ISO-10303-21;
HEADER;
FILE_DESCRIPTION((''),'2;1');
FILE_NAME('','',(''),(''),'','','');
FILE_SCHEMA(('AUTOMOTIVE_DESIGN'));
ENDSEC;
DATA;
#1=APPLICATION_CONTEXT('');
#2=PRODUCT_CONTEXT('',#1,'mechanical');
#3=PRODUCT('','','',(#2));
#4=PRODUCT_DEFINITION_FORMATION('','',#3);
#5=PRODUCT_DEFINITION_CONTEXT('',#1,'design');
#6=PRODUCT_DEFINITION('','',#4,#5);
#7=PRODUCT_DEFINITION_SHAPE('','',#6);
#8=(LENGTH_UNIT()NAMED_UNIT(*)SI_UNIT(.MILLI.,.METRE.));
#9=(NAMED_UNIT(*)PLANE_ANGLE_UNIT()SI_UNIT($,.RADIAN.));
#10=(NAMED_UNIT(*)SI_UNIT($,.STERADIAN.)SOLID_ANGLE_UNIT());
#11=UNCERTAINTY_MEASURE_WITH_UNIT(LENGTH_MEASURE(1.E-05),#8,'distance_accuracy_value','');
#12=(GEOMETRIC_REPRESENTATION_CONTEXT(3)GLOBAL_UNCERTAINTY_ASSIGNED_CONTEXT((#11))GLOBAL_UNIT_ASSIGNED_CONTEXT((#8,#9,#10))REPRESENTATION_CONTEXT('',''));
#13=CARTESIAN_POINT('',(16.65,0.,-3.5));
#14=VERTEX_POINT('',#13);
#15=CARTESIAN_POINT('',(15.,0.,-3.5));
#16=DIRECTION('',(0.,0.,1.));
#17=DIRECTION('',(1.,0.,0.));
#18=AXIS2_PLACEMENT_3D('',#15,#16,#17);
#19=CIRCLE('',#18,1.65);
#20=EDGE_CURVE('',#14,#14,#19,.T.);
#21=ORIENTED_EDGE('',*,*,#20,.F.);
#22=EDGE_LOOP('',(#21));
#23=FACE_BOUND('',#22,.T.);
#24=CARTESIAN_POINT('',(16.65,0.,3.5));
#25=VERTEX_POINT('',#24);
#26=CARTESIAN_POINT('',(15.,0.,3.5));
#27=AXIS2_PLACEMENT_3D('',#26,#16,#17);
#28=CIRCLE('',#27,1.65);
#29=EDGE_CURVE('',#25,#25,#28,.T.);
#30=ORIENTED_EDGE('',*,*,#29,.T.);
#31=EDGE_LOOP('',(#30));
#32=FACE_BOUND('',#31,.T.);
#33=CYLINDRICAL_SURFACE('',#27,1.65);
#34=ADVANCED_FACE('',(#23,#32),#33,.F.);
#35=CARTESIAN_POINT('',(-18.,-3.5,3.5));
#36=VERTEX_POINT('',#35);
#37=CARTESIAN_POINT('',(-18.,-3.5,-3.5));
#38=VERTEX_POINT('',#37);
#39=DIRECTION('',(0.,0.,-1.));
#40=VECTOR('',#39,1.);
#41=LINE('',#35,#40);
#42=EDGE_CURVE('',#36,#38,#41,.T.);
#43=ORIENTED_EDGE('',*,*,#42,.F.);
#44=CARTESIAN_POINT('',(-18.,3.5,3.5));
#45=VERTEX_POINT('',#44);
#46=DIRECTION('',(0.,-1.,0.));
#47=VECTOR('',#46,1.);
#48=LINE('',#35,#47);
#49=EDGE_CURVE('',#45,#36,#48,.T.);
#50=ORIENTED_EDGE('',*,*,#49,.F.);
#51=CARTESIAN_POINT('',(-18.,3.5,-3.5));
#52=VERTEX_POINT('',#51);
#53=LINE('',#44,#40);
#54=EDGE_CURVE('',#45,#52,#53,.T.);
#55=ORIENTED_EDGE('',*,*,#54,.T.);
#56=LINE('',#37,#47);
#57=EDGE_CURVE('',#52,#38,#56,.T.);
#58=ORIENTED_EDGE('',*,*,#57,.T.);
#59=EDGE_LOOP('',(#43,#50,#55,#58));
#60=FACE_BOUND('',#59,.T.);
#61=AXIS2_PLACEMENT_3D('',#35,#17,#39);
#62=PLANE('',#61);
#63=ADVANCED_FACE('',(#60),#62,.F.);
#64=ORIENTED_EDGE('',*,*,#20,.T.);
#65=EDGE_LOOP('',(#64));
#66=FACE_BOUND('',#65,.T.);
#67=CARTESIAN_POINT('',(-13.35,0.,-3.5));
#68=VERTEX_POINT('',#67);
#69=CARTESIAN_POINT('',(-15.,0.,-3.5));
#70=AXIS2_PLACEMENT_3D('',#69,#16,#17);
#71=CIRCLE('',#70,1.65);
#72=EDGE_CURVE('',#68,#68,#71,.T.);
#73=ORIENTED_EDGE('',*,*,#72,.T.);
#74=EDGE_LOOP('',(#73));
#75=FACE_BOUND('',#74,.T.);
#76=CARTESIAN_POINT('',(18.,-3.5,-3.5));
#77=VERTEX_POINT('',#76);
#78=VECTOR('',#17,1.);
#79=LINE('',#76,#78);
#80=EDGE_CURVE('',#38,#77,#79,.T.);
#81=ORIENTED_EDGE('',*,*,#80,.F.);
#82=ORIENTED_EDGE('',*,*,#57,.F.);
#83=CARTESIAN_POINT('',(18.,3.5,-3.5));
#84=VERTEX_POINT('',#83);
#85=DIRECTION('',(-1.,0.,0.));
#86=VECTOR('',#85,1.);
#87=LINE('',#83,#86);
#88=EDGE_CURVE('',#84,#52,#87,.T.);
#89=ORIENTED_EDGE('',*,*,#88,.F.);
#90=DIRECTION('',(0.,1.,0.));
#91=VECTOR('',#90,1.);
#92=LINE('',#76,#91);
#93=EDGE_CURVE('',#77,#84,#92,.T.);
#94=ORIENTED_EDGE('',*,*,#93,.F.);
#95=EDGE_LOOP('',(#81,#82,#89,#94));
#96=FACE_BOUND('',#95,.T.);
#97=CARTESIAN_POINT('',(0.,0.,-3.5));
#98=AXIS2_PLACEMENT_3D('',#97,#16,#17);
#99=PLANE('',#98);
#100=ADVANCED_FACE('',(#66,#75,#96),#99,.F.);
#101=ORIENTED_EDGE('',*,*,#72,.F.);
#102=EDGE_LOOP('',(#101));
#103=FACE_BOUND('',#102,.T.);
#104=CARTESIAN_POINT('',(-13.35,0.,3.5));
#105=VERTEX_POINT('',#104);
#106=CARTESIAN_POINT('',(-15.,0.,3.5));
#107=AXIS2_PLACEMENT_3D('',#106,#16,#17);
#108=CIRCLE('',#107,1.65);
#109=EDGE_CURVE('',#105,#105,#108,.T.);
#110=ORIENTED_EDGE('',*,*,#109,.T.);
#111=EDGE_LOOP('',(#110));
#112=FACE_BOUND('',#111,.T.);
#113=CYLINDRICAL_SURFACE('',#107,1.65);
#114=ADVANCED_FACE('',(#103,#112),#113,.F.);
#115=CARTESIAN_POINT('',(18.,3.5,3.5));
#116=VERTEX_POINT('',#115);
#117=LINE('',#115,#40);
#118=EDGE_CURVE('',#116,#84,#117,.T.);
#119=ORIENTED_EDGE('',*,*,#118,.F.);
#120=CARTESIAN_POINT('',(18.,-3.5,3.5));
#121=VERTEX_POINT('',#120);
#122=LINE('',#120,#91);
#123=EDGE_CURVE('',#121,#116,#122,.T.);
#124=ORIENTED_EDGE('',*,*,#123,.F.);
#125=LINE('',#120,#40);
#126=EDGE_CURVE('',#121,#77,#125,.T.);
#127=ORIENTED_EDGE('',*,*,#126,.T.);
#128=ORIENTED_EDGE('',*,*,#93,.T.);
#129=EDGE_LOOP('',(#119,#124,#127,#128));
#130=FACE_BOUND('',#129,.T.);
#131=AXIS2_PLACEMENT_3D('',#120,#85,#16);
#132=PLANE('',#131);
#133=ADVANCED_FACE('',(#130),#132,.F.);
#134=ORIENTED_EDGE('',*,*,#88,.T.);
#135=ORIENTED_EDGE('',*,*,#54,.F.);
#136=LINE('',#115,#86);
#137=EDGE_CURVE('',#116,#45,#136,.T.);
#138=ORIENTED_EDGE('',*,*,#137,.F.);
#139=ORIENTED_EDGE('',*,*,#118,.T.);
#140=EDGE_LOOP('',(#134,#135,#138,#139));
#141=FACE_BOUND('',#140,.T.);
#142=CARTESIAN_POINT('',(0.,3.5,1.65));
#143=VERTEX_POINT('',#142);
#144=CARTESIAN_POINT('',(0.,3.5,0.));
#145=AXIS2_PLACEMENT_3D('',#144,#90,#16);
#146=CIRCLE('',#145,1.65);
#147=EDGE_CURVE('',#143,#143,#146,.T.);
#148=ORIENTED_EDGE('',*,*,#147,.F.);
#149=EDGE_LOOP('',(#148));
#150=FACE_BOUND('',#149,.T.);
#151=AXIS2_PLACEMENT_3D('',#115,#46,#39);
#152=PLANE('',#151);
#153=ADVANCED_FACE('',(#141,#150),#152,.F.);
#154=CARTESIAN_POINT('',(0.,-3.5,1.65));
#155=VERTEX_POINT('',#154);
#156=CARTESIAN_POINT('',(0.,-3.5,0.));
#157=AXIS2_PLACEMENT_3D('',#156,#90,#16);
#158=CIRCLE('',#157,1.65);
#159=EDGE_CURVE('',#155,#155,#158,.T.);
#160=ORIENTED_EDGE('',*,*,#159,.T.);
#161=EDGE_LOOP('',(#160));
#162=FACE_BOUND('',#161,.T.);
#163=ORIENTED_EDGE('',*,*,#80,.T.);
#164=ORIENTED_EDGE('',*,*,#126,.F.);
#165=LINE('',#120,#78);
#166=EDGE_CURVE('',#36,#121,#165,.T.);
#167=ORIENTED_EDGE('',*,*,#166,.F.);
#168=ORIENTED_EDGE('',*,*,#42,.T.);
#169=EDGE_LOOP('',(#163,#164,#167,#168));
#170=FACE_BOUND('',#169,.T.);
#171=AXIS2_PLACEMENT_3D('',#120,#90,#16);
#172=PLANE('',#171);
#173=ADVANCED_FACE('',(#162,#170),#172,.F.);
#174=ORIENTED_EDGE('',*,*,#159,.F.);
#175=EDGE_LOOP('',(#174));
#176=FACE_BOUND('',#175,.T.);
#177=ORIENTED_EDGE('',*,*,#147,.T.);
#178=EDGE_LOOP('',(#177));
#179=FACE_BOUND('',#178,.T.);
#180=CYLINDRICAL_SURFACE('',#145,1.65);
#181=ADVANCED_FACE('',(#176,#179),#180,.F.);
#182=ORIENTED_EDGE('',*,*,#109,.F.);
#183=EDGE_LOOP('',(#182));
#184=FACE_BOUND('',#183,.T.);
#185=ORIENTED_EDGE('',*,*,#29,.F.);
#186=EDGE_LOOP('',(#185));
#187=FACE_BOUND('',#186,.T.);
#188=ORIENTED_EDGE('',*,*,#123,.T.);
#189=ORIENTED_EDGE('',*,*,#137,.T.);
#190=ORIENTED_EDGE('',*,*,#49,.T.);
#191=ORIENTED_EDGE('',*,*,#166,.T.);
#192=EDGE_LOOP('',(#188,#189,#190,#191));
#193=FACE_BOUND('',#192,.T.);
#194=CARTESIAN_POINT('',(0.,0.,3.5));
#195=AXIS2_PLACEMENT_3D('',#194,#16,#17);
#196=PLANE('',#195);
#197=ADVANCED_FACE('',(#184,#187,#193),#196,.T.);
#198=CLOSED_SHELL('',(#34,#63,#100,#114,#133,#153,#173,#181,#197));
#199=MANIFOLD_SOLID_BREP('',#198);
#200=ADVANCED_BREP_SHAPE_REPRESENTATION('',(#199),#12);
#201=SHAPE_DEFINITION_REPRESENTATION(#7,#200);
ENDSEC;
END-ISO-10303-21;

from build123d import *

# Parameters (mm, degrees)
SKETCH_1_W             = 36
SKETCH_1_H             = 7
SKETCH_1_R             = 0.5
EXTRUDE_1_DEPTH        = 3.5
HOLE_WIZARD_M4_1_D     = 3.3
HOLE_WIZARD_M4_1_DEPTH = 22.1
HOLE_WIZARD_M4_1_TIP   = 0.991420021
HOLE_WIZARD_M4_2_D     = 3.3
HOLE_WIZARD_M4_2_DEPTH = 22.1
HOLE_WIZARD_M4_2_TIP   = 0.991420021


with BuildPart() as part:
    # 草图1 → 凸台-拉伸1 (new body, symmetric)
    with BuildSketch(Plane.XY):
        Rectangle(SKETCH_1_W, SKETCH_1_H)
        with Locations((-15, 0)):
            Circle(SKETCH_1_R, mode=Mode.SUBTRACT)
        with Locations((15, 0)):
            Circle(SKETCH_1_R, mode=Mode.SUBTRACT)
    extrude(amount=EXTRUDE_1_DEPTH, both=True)

    # M4 螺纹孔1
    with Locations(Plane.XY.offset(3.5)):
        with Locations((-15, 0), (15, 0)):
            Hole(HOLE_WIZARD_M4_1_D / 2, depth=HOLE_WIZARD_M4_1_DEPTH)
            with Locations((0, 0, -(HOLE_WIZARD_M4_1_DEPTH + HOLE_WIZARD_M4_1_TIP / 2))):  # 118° drill point
                Cone(0, HOLE_WIZARD_M4_1_D / 2, HOLE_WIZARD_M4_1_TIP, mode=Mode.SUBTRACT)

    # M4 螺纹孔2
    with Locations(Plane(origin=(0, 3.5, 0), x_dir=(1, 0, 0), z_dir=(0, 1, 0))):
        with Locations((0, 0)):
            Hole(HOLE_WIZARD_M4_2_D / 2, depth=HOLE_WIZARD_M4_2_DEPTH)
            with Locations((0, 0, -(HOLE_WIZARD_M4_2_DEPTH + HOLE_WIZARD_M4_2_TIP / 2))):  # 118° drill point
                Cone(0, HOLE_WIZARD_M4_2_D / 2, HOLE_WIZARD_M4_2_TIP, mode=Mode.SUBTRACT)


solid = part.part
